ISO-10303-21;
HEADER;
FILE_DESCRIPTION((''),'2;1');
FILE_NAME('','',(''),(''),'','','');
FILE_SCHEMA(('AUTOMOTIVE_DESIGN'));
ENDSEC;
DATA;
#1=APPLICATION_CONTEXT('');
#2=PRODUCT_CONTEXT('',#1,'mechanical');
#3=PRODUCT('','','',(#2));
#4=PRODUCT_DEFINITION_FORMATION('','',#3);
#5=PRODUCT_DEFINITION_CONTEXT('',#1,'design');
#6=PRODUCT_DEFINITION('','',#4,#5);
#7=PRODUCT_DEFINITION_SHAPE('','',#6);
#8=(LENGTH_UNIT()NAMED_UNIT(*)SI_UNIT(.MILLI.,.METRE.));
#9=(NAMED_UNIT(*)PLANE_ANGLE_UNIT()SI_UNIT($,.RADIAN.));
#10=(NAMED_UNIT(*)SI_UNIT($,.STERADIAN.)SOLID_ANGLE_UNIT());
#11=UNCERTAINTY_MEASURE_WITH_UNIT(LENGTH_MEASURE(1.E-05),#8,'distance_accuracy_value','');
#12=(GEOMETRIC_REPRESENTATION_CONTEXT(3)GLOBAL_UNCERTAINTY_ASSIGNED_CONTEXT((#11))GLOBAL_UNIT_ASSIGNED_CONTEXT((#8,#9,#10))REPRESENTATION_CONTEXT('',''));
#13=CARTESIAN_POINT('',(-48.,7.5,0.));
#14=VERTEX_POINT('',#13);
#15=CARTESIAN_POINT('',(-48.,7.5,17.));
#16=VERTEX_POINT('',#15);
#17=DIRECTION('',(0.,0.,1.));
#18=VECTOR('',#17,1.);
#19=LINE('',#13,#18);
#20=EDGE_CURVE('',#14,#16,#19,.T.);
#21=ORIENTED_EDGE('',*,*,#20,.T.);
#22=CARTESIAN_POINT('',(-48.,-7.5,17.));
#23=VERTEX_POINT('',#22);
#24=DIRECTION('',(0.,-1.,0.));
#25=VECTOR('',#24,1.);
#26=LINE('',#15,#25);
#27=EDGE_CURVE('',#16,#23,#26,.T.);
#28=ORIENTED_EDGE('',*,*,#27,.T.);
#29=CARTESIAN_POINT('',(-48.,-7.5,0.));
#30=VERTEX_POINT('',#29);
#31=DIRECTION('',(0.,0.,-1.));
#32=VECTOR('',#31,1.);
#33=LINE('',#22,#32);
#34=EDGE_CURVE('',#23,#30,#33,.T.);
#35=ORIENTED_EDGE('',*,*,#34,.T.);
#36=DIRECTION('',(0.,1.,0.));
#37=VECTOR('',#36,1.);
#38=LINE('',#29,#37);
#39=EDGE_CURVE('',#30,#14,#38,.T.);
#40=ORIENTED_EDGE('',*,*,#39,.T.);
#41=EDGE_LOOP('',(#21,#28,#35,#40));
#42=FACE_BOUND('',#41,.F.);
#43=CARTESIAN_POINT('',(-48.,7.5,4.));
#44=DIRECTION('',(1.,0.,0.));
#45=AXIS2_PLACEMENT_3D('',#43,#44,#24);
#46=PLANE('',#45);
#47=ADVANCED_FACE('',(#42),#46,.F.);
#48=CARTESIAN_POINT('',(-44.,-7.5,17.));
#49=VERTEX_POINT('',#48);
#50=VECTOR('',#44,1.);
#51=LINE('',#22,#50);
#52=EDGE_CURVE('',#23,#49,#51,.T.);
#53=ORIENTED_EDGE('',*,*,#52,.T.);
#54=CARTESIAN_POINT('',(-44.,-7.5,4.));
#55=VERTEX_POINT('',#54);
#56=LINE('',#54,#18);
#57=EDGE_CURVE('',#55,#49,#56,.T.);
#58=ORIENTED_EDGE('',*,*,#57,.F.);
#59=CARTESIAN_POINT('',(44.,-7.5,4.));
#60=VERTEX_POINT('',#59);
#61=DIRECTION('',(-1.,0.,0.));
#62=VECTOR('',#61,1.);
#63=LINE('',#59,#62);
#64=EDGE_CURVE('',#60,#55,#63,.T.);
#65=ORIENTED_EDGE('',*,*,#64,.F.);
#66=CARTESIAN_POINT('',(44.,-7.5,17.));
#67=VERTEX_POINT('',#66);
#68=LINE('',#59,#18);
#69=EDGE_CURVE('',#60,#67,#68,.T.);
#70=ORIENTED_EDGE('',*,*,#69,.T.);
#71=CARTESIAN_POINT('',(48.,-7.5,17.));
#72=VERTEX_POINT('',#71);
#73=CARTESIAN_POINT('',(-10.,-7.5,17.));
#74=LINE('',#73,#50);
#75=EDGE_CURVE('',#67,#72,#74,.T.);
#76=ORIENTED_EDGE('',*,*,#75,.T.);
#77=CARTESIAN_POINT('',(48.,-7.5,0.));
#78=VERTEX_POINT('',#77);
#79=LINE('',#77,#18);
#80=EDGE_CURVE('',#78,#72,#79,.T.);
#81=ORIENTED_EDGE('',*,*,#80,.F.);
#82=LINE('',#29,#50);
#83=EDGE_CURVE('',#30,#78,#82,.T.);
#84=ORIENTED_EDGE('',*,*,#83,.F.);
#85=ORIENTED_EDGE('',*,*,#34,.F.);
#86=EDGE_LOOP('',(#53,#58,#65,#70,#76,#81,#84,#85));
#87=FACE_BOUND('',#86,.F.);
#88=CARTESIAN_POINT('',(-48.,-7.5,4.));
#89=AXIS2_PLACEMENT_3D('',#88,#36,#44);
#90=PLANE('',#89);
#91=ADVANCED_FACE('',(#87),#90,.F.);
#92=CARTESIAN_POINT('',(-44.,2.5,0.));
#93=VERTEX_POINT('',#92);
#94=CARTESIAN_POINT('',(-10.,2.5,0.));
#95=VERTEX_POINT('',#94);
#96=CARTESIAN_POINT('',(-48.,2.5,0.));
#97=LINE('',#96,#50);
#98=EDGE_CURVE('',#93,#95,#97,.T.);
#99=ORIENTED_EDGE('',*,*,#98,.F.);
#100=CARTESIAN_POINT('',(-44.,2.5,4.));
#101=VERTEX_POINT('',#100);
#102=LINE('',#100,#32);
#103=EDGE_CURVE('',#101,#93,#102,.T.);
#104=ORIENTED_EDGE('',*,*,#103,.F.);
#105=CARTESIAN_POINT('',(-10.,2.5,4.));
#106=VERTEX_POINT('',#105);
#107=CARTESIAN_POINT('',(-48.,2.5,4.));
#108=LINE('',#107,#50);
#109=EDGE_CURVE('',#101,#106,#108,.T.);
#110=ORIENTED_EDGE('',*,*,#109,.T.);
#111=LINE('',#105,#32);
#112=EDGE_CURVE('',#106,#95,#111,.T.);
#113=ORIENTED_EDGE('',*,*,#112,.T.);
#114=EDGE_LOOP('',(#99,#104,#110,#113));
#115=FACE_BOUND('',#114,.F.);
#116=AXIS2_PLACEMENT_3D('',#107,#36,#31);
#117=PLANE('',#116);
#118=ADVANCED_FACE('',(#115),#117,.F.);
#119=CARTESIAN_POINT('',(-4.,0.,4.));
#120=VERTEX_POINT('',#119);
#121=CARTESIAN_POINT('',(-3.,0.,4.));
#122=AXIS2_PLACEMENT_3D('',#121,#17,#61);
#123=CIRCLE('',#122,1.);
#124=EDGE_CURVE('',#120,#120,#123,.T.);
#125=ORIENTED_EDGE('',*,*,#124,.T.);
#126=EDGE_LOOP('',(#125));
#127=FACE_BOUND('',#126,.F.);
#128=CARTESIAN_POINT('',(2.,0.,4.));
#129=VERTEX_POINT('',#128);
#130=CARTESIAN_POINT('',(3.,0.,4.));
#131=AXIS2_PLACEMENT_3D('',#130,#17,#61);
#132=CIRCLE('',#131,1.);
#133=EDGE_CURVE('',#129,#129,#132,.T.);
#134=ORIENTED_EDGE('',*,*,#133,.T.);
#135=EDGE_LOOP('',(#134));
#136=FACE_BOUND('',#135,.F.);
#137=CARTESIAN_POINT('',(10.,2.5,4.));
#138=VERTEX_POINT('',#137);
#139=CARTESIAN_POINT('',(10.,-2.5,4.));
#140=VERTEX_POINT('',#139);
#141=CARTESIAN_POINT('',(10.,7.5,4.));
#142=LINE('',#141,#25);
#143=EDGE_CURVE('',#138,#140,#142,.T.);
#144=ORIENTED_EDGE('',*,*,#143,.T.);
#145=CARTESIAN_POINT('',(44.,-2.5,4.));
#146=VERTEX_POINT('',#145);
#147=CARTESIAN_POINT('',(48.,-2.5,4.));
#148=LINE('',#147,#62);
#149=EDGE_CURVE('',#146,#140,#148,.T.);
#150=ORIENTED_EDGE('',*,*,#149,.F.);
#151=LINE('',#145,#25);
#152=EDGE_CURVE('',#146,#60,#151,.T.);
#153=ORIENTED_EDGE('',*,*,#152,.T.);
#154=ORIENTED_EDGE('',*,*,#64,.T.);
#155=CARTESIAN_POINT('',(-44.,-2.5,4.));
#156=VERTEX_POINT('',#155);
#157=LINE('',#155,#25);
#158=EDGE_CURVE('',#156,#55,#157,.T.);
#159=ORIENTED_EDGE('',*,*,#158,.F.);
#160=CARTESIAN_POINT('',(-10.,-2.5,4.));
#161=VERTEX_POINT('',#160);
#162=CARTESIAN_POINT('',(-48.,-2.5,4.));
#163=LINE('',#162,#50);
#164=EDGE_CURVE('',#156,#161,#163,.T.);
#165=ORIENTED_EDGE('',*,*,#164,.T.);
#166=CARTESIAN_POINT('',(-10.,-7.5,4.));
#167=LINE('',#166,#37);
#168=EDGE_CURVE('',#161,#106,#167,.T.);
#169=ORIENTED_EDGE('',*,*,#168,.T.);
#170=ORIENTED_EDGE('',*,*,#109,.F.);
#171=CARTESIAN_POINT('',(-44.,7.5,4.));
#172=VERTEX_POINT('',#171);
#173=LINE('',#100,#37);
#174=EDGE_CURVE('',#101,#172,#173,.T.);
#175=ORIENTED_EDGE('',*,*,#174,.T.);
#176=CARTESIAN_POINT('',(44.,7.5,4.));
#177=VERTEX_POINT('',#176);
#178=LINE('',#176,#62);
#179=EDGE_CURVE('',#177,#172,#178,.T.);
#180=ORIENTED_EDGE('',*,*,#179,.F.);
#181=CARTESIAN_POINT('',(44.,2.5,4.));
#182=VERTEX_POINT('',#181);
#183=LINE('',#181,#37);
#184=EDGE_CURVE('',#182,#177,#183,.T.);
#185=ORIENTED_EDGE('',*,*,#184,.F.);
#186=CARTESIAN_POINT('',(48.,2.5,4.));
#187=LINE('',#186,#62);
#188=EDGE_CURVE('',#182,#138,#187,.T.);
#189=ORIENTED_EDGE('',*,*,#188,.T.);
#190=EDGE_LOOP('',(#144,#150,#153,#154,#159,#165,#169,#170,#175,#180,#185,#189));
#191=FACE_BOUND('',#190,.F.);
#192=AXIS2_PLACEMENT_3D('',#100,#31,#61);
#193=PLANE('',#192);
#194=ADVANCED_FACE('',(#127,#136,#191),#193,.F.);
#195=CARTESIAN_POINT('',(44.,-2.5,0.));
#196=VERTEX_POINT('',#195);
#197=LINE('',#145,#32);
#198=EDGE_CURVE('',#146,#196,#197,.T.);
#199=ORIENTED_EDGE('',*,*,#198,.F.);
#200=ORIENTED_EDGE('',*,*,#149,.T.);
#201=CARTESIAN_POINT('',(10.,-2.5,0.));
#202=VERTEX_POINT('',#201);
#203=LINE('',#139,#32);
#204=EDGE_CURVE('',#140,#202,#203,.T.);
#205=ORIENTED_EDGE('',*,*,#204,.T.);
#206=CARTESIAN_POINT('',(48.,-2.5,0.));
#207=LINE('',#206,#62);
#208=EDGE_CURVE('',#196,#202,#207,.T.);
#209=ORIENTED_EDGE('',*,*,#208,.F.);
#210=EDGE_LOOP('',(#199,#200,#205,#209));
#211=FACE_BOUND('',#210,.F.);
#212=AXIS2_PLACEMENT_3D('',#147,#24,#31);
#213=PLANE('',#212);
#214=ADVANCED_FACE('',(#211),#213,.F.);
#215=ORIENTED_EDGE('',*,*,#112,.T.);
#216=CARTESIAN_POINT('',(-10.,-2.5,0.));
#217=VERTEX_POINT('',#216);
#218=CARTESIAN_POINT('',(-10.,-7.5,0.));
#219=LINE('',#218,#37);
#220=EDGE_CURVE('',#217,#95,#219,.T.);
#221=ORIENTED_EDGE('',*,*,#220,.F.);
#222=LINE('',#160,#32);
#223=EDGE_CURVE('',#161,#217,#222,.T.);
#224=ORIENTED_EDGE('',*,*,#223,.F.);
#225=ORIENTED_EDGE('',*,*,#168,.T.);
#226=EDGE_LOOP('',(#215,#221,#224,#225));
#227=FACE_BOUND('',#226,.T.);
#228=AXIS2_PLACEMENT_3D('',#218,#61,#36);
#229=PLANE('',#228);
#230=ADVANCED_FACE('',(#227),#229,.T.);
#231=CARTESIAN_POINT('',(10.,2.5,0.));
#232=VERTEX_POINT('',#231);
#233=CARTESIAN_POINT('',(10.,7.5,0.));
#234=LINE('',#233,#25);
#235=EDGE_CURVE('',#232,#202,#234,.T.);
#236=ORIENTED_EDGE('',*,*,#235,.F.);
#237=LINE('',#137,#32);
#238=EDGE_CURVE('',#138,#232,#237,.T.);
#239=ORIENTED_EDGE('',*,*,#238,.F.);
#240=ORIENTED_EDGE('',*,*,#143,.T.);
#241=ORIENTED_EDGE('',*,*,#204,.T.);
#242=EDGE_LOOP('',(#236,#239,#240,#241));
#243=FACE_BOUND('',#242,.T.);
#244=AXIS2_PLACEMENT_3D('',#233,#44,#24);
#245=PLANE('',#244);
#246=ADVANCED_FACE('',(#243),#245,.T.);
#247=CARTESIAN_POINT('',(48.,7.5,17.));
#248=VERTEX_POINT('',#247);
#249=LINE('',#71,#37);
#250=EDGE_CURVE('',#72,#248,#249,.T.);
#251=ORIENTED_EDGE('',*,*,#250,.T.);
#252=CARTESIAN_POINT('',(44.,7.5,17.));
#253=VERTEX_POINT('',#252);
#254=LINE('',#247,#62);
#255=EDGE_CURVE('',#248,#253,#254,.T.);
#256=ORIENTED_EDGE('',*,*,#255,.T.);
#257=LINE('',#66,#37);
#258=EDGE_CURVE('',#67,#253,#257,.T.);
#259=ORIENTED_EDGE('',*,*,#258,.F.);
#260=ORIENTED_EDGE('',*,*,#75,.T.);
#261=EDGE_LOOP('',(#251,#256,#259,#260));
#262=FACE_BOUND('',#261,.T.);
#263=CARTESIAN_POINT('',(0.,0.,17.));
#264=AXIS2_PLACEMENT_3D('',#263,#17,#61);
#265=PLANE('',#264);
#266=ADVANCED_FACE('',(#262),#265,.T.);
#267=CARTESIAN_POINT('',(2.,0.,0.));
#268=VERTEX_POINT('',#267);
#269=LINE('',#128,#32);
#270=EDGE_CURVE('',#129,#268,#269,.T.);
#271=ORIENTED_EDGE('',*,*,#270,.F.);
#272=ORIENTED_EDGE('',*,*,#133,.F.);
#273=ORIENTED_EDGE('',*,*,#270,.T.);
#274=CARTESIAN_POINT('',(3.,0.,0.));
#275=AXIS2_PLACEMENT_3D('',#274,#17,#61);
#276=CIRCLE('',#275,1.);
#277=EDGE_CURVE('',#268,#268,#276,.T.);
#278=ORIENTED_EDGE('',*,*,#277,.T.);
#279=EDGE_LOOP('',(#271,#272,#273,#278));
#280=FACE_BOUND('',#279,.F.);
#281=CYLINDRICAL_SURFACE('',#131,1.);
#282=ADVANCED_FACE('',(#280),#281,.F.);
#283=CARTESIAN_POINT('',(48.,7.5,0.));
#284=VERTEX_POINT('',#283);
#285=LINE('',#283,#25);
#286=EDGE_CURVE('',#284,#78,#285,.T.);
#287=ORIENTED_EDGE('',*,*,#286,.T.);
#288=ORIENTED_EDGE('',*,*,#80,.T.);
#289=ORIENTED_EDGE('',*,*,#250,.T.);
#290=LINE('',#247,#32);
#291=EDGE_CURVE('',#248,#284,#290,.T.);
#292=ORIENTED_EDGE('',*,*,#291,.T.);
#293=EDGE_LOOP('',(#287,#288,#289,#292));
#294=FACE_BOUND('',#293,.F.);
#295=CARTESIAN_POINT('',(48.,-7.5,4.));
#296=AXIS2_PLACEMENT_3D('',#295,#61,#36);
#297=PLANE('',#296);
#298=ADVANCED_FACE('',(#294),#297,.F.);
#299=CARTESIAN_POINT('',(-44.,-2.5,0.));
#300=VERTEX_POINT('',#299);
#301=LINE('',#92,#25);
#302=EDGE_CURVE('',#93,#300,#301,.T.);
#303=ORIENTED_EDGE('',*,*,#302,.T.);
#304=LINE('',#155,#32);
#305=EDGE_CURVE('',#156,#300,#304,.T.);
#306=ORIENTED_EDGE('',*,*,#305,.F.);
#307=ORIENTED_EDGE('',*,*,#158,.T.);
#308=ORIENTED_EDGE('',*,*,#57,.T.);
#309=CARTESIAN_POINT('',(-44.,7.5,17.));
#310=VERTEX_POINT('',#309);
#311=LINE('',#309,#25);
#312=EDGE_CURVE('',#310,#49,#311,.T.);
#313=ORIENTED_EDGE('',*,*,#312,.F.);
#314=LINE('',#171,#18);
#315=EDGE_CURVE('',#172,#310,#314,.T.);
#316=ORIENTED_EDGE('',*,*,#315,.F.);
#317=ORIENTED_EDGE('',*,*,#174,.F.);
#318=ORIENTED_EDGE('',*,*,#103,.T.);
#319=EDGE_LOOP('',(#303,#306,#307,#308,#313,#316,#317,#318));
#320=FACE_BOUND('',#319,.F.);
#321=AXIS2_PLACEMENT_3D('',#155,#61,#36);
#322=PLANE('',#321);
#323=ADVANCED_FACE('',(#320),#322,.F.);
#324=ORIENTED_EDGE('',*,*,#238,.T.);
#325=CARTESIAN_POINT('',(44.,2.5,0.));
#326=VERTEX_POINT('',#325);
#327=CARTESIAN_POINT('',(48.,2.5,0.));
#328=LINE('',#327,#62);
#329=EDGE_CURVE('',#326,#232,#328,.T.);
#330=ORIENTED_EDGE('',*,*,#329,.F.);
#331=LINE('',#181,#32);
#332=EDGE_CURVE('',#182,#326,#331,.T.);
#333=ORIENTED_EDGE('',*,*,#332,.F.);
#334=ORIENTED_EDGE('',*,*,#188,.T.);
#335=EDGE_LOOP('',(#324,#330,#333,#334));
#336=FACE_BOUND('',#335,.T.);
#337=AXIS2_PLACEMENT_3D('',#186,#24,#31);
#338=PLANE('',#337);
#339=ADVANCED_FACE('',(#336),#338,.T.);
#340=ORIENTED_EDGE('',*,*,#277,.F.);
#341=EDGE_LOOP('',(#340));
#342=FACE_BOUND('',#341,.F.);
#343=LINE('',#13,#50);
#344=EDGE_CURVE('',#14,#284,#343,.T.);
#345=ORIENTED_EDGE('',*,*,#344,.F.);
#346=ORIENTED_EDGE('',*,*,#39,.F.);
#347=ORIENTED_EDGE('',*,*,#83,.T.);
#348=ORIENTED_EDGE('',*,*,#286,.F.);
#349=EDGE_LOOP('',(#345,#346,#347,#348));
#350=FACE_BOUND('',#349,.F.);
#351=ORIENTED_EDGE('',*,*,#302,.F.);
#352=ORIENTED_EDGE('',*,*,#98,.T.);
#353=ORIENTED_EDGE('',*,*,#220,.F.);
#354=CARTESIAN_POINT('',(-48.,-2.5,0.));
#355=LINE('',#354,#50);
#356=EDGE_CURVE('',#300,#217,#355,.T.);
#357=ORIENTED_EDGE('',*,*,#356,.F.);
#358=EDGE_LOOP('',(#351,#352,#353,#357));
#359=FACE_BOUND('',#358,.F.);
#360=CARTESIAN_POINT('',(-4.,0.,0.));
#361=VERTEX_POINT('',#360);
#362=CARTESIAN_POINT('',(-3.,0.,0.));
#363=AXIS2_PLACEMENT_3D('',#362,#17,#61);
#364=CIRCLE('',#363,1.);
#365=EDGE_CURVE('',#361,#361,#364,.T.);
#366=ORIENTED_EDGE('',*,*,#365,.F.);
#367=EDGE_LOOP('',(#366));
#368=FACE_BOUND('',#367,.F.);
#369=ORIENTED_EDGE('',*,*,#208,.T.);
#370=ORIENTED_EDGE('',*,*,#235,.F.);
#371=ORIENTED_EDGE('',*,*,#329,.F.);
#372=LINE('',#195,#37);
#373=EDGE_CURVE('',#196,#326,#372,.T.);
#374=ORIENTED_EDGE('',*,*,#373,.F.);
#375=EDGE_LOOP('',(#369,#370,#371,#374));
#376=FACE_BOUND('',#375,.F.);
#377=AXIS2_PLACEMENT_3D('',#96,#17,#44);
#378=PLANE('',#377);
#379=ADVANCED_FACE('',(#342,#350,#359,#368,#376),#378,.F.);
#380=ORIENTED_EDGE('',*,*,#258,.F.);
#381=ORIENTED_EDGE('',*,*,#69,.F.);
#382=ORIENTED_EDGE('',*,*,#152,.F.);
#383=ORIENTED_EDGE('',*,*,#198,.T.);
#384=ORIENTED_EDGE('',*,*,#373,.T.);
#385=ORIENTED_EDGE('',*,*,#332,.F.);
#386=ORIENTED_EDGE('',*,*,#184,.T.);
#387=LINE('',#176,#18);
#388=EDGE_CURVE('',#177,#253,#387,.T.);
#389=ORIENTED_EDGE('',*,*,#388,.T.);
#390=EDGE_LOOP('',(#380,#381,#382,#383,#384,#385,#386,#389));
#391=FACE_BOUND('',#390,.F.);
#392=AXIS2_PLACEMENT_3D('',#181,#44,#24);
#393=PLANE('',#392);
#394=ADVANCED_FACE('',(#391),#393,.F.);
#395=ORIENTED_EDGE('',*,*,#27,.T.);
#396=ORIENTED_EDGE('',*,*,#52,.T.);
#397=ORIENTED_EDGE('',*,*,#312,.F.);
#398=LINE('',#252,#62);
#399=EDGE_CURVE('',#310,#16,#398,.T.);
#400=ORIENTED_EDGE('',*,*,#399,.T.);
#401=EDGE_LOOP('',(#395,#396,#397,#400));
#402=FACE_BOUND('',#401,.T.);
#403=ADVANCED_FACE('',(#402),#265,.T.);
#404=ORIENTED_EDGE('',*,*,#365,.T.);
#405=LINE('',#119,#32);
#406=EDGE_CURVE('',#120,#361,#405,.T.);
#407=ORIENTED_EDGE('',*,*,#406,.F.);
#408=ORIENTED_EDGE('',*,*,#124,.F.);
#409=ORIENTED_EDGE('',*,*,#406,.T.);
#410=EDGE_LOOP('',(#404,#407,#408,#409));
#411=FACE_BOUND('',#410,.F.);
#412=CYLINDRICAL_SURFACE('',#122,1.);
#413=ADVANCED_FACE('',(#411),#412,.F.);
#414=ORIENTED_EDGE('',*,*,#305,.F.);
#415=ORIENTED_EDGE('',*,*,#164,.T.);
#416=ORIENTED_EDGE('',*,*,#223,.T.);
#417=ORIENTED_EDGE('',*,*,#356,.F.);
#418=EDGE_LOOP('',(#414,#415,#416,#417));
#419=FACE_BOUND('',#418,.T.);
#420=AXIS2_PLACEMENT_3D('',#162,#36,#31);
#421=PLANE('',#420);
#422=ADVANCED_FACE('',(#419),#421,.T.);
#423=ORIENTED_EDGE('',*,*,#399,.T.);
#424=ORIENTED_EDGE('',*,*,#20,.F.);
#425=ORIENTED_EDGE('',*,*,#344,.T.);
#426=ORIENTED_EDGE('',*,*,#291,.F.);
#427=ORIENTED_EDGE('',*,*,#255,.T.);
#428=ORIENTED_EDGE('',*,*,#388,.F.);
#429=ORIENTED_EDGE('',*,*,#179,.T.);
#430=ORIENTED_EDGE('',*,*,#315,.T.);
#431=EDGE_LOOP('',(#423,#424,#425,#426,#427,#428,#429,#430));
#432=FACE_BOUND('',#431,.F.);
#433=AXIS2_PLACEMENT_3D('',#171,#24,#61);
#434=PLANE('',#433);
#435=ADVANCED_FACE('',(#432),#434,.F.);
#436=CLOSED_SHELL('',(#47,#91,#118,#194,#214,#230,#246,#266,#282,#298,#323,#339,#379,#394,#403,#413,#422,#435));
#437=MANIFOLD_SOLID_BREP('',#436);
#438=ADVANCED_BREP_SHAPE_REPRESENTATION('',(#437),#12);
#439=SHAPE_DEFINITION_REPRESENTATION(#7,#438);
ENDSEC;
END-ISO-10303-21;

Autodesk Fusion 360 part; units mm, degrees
sketch "Sketch1" plane through (0, 0, 0) normal (0, 0, 1) x (1, 0, 0)
  line L0 (10, -7.5) -> (-10, -7.5)
  line L1 (-10, -7.5) -> (-10, 7.5)
  line L2 (-10, 7.5) -> (10, 7.5)
  line L3 (10, 7.5) -> (10, -7.5)
  line L4 (10, -7.5) -> (-10, 7.5) construction
  line L5 (-10, -7.5) -> (10, 7.5) construction
  line L6 (0, 0) -> (0, 7) construction
  dimension "d1" = 20
  dimension "d2" = 15
extrude "Extrude1" add sketch "Sketch1" along normal blind 4
sketch "Sketch2" plane through (0, 0, 4) normal (0, 0, 1) x (-1, 0, 0)
  line L0 (-10, -7.5) -> (10, -7.5)
  line L1 (10, -7.5) -> (10, 7.5)
  line L2 (10, 7.5) -> (-10, 7.5)
  line L3 (-10, 7.5) -> (-10, -7.5)
  line L4 (10, 7.5) -> (-10, -7.5) construction
  line L5 (-10, 7.5) -> (10, -7.5) construction
  line L6 (0, 0) -> (-3, 0) construction
  circle A0 centre (-3, 0) radius 1
  line L7 (0, 0) -> (3, 0) construction
  circle A1 centre (3, 0) radius 1
  dimension "d5" = 3
  dimension "d6" = 2
  dimension "d7" = 3
  dimension "d8" = 2
extrude "Extrude2" cut sketch "Sketch2" against normal up to surface (4 mm away) contours A0 | A1
ref_plane "WorkPlane1" through (48, 0, 2) normal (1, 0, 0) x (0, 1, 0)
sketch "Sketch3" plane through (48, 0, 2) normal (1, 0, 0) x (0, 1, 0)
  line L0 (-7.5, 2) -> (-2.5, 2)
  line L1 (-2.5, 2) -> (-2.5, -2)
  line L2 (-2.5, -2) -> (-7.5, -2)
  line L3 (-7.5, -2) -> (-7.5, 2)
  line L4 (7.5, 2) -> (2.5, 2)
  line L5 (2.5, 2) -> (2.5, -2)
  line L6 (2.5, -2) -> (7.5, -2)
  line L7 (7.5, -2) -> (7.5, 2)
extrude "Extrude3" add sketch "Sketch3" against normal up to surface (38 mm away)
sketch "Sketch4" plane through (0, -2.5, 0) normal (0, 1, 0) x (-1, 0, 0)
  line L0 (-10, 0) -> (-10, 4)
  line L1 (-10, 4) -> (-48, 4)
  line L2 (-48, 4) -> (-48, 0)
  line L3 (-48, 0) -> (-10, 0)
  line L4 (-48, 4) -> (-44, 4)
  line L5 (-44, 4) -> (-44, 0)
  line L6 (-44, 0) -> (-48, 0)
  line L7 (-48, 0) -> (-48, 4)
extrude "Extrude4" add sketch "Sketch4" along normal up to surface (5 mm away) contours L1 L2 L3 L4 L5 L6 L7
sketch "Sketch5" plane through (0, 0, 4) normal (0, 0, 1) x (-1, 0, 0)
  line L0 (-44, 2.5) -> (-10, 2.5)
  line L1 (-10, 2.5) -> (-10, -2.5)
  line L2 (-10, -2.5) -> (-44, -2.5)
  line L3 (-44, -2.5) -> (-44, 2.5)
  circle A0 centre (3, 0) radius 1
  circle A1 centre (-3, 0) radius 1
  line L4 (-48, 7.5) -> (-48, -7.5)
  line L5 (-48, -7.5) -> (10, -7.5)
  line L6 (10, -7.5) -> (10, 7.5)
  line L7 (10, 7.5) -> (-48, 7.5)
  line L8 (-44, -2.5) -> (-44, -7.5)
  line L9 (-44, 2.5) -> (-44, 7.5)
extrude "Extrude5" add sketch "Sketch5" along normal blind 13 contours L3 L4 L5 L7 L8 L9
ref_plane "WorkPlane2" through (-48, 0, 2) normal (-1, 0, 0) x (0, -1, 0)
sketch "Sketch6" plane through (-48, 0, 2) normal (-1, 0, 0) x (0, 1, 0)
  line L0 (7.5, -2) -> (2.5, -2)
  line L1 (2.5, -2) -> (2.5, 2)
  line L2 (2.5, 2) -> (7.5, 2)
  line L3 (7.5, 2) -> (7.5, -2)
  line L4 (-7.5, -2) -> (-2.5, -2)
  line L5 (-2.5, -2) -> (-2.5, 2)
  line L6 (-2.5, 2) -> (-7.5, 2)
  line L7 (-7.5, 2) -> (-7.5, -2)
extrude "Extrude6" add sketch "Sketch6" against normal up to surface (38 mm away)
sketch "Sketch7" plane through (0, 2.5, 0) normal (0, -1, 0) x (1, 0, 0)
  line L0 (-10, 0) -> (-10, 4)
  line L1 (-10, 4) -> (-48, 4)
  line L2 (-48, 4) -> (-48, 0)
  line L3 (-48, 0) -> (-10, 0)
  line L4 (-48, 4) -> (-44, 4)
  line L5 (-44, 4) -> (-44, 0)
  line L6 (-44, 0) -> (-48, 0)
  line L7 (-48, 0) -> (-48, 4)
extrude "Extrude7" add sketch "Sketch7" along normal up to surface (5 mm away) contours L1 L2 L3 L4 L5 L6 L7
sketch "Sketch8" plane through (0, 0, 4) normal (0, 0, 1) x (-1, 0, 0)
  line L0 (44, -2.5) -> (10, -2.5)
  line L1 (10, -2.5) -> (10, 2.5)
  line L2 (10, 2.5) -> (44, 2.5)
  line L3 (44, 2.5) -> (44, -2.5)
  circle A0 centre (-3, 0) radius 1
  circle A1 centre (3, 0) radius 1
  line L4 (48, -7.5) -> (48, 7.5)
  line L5 (48, 7.5) -> (-44, 7.5)
  line L6 (-44, 7.5) -> (-44, 2.5)
  line L7 (-44, 2.5) -> (-10, 2.5)
  line L8 (-10, 2.5) -> (-10, -2.5)
  line L9 (-10, -2.5) -> (-44, -2.5)
  line L10 (-44, -2.5) -> (-44, -7.5)
  line L11 (-44, -7.5) -> (48, -7.5)
  line L12 (44, 2.5) -> (44, 7.5)
  line L13 (44, -2.5) -> (44, -7.5)
extrude "Extrude8" add sketch "Sketch8" along normal blind 13 contours L3 L4 L5 L11 L12 L13
